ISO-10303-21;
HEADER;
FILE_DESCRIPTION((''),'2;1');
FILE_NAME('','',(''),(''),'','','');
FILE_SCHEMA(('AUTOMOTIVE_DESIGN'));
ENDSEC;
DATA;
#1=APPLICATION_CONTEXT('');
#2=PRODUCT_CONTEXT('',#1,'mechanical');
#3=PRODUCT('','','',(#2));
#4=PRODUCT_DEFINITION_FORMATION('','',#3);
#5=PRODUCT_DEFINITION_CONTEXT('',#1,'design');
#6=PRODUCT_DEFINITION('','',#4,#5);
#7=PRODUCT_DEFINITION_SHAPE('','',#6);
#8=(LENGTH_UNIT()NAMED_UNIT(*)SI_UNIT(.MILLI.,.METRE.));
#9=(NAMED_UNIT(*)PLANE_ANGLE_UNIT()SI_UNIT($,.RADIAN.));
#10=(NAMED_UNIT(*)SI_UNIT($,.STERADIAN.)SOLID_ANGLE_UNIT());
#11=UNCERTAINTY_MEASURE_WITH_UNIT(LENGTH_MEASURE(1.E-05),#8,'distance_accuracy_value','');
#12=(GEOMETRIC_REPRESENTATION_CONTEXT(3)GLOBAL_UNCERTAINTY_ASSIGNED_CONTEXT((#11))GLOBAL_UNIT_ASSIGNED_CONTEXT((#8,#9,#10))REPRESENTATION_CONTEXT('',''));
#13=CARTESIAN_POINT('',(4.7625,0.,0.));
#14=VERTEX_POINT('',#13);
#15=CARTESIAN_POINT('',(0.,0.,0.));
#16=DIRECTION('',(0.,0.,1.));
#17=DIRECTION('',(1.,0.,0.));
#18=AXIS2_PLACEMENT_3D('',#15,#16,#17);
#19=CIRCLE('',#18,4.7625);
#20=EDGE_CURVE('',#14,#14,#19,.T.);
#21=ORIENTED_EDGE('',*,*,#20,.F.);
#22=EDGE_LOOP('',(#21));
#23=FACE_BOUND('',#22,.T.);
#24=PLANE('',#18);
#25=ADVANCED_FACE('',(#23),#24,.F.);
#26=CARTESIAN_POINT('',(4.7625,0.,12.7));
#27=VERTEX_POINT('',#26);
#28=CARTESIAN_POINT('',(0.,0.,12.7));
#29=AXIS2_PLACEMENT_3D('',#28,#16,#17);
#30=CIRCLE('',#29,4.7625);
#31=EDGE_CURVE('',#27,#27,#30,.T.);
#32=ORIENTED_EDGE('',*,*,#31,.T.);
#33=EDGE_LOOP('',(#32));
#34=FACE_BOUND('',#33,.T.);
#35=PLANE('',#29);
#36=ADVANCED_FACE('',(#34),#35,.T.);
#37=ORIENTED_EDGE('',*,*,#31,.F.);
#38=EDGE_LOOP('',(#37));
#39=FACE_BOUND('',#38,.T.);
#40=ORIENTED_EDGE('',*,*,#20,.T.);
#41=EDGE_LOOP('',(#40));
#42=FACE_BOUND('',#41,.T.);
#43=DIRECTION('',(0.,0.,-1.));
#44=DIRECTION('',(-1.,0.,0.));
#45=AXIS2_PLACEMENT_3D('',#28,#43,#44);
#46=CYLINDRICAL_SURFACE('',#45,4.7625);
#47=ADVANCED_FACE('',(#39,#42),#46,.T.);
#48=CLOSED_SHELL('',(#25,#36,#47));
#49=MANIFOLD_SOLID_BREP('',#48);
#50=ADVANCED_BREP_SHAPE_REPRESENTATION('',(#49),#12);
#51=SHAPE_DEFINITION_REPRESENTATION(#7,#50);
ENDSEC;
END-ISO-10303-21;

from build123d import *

# Parameters (mm, degrees)
SKETCH1_R          = 4.7625
BASE_EXTRUDE_DEPTH = 12.7


with BuildPart() as part:
    # Sketch1 → Base-Extrude (new body)
    with BuildSketch(Plane.XY):
        Circle(SKETCH1_R)
    extrude(amount=BASE_EXTRUDE_DEPTH)


solid = part.part
